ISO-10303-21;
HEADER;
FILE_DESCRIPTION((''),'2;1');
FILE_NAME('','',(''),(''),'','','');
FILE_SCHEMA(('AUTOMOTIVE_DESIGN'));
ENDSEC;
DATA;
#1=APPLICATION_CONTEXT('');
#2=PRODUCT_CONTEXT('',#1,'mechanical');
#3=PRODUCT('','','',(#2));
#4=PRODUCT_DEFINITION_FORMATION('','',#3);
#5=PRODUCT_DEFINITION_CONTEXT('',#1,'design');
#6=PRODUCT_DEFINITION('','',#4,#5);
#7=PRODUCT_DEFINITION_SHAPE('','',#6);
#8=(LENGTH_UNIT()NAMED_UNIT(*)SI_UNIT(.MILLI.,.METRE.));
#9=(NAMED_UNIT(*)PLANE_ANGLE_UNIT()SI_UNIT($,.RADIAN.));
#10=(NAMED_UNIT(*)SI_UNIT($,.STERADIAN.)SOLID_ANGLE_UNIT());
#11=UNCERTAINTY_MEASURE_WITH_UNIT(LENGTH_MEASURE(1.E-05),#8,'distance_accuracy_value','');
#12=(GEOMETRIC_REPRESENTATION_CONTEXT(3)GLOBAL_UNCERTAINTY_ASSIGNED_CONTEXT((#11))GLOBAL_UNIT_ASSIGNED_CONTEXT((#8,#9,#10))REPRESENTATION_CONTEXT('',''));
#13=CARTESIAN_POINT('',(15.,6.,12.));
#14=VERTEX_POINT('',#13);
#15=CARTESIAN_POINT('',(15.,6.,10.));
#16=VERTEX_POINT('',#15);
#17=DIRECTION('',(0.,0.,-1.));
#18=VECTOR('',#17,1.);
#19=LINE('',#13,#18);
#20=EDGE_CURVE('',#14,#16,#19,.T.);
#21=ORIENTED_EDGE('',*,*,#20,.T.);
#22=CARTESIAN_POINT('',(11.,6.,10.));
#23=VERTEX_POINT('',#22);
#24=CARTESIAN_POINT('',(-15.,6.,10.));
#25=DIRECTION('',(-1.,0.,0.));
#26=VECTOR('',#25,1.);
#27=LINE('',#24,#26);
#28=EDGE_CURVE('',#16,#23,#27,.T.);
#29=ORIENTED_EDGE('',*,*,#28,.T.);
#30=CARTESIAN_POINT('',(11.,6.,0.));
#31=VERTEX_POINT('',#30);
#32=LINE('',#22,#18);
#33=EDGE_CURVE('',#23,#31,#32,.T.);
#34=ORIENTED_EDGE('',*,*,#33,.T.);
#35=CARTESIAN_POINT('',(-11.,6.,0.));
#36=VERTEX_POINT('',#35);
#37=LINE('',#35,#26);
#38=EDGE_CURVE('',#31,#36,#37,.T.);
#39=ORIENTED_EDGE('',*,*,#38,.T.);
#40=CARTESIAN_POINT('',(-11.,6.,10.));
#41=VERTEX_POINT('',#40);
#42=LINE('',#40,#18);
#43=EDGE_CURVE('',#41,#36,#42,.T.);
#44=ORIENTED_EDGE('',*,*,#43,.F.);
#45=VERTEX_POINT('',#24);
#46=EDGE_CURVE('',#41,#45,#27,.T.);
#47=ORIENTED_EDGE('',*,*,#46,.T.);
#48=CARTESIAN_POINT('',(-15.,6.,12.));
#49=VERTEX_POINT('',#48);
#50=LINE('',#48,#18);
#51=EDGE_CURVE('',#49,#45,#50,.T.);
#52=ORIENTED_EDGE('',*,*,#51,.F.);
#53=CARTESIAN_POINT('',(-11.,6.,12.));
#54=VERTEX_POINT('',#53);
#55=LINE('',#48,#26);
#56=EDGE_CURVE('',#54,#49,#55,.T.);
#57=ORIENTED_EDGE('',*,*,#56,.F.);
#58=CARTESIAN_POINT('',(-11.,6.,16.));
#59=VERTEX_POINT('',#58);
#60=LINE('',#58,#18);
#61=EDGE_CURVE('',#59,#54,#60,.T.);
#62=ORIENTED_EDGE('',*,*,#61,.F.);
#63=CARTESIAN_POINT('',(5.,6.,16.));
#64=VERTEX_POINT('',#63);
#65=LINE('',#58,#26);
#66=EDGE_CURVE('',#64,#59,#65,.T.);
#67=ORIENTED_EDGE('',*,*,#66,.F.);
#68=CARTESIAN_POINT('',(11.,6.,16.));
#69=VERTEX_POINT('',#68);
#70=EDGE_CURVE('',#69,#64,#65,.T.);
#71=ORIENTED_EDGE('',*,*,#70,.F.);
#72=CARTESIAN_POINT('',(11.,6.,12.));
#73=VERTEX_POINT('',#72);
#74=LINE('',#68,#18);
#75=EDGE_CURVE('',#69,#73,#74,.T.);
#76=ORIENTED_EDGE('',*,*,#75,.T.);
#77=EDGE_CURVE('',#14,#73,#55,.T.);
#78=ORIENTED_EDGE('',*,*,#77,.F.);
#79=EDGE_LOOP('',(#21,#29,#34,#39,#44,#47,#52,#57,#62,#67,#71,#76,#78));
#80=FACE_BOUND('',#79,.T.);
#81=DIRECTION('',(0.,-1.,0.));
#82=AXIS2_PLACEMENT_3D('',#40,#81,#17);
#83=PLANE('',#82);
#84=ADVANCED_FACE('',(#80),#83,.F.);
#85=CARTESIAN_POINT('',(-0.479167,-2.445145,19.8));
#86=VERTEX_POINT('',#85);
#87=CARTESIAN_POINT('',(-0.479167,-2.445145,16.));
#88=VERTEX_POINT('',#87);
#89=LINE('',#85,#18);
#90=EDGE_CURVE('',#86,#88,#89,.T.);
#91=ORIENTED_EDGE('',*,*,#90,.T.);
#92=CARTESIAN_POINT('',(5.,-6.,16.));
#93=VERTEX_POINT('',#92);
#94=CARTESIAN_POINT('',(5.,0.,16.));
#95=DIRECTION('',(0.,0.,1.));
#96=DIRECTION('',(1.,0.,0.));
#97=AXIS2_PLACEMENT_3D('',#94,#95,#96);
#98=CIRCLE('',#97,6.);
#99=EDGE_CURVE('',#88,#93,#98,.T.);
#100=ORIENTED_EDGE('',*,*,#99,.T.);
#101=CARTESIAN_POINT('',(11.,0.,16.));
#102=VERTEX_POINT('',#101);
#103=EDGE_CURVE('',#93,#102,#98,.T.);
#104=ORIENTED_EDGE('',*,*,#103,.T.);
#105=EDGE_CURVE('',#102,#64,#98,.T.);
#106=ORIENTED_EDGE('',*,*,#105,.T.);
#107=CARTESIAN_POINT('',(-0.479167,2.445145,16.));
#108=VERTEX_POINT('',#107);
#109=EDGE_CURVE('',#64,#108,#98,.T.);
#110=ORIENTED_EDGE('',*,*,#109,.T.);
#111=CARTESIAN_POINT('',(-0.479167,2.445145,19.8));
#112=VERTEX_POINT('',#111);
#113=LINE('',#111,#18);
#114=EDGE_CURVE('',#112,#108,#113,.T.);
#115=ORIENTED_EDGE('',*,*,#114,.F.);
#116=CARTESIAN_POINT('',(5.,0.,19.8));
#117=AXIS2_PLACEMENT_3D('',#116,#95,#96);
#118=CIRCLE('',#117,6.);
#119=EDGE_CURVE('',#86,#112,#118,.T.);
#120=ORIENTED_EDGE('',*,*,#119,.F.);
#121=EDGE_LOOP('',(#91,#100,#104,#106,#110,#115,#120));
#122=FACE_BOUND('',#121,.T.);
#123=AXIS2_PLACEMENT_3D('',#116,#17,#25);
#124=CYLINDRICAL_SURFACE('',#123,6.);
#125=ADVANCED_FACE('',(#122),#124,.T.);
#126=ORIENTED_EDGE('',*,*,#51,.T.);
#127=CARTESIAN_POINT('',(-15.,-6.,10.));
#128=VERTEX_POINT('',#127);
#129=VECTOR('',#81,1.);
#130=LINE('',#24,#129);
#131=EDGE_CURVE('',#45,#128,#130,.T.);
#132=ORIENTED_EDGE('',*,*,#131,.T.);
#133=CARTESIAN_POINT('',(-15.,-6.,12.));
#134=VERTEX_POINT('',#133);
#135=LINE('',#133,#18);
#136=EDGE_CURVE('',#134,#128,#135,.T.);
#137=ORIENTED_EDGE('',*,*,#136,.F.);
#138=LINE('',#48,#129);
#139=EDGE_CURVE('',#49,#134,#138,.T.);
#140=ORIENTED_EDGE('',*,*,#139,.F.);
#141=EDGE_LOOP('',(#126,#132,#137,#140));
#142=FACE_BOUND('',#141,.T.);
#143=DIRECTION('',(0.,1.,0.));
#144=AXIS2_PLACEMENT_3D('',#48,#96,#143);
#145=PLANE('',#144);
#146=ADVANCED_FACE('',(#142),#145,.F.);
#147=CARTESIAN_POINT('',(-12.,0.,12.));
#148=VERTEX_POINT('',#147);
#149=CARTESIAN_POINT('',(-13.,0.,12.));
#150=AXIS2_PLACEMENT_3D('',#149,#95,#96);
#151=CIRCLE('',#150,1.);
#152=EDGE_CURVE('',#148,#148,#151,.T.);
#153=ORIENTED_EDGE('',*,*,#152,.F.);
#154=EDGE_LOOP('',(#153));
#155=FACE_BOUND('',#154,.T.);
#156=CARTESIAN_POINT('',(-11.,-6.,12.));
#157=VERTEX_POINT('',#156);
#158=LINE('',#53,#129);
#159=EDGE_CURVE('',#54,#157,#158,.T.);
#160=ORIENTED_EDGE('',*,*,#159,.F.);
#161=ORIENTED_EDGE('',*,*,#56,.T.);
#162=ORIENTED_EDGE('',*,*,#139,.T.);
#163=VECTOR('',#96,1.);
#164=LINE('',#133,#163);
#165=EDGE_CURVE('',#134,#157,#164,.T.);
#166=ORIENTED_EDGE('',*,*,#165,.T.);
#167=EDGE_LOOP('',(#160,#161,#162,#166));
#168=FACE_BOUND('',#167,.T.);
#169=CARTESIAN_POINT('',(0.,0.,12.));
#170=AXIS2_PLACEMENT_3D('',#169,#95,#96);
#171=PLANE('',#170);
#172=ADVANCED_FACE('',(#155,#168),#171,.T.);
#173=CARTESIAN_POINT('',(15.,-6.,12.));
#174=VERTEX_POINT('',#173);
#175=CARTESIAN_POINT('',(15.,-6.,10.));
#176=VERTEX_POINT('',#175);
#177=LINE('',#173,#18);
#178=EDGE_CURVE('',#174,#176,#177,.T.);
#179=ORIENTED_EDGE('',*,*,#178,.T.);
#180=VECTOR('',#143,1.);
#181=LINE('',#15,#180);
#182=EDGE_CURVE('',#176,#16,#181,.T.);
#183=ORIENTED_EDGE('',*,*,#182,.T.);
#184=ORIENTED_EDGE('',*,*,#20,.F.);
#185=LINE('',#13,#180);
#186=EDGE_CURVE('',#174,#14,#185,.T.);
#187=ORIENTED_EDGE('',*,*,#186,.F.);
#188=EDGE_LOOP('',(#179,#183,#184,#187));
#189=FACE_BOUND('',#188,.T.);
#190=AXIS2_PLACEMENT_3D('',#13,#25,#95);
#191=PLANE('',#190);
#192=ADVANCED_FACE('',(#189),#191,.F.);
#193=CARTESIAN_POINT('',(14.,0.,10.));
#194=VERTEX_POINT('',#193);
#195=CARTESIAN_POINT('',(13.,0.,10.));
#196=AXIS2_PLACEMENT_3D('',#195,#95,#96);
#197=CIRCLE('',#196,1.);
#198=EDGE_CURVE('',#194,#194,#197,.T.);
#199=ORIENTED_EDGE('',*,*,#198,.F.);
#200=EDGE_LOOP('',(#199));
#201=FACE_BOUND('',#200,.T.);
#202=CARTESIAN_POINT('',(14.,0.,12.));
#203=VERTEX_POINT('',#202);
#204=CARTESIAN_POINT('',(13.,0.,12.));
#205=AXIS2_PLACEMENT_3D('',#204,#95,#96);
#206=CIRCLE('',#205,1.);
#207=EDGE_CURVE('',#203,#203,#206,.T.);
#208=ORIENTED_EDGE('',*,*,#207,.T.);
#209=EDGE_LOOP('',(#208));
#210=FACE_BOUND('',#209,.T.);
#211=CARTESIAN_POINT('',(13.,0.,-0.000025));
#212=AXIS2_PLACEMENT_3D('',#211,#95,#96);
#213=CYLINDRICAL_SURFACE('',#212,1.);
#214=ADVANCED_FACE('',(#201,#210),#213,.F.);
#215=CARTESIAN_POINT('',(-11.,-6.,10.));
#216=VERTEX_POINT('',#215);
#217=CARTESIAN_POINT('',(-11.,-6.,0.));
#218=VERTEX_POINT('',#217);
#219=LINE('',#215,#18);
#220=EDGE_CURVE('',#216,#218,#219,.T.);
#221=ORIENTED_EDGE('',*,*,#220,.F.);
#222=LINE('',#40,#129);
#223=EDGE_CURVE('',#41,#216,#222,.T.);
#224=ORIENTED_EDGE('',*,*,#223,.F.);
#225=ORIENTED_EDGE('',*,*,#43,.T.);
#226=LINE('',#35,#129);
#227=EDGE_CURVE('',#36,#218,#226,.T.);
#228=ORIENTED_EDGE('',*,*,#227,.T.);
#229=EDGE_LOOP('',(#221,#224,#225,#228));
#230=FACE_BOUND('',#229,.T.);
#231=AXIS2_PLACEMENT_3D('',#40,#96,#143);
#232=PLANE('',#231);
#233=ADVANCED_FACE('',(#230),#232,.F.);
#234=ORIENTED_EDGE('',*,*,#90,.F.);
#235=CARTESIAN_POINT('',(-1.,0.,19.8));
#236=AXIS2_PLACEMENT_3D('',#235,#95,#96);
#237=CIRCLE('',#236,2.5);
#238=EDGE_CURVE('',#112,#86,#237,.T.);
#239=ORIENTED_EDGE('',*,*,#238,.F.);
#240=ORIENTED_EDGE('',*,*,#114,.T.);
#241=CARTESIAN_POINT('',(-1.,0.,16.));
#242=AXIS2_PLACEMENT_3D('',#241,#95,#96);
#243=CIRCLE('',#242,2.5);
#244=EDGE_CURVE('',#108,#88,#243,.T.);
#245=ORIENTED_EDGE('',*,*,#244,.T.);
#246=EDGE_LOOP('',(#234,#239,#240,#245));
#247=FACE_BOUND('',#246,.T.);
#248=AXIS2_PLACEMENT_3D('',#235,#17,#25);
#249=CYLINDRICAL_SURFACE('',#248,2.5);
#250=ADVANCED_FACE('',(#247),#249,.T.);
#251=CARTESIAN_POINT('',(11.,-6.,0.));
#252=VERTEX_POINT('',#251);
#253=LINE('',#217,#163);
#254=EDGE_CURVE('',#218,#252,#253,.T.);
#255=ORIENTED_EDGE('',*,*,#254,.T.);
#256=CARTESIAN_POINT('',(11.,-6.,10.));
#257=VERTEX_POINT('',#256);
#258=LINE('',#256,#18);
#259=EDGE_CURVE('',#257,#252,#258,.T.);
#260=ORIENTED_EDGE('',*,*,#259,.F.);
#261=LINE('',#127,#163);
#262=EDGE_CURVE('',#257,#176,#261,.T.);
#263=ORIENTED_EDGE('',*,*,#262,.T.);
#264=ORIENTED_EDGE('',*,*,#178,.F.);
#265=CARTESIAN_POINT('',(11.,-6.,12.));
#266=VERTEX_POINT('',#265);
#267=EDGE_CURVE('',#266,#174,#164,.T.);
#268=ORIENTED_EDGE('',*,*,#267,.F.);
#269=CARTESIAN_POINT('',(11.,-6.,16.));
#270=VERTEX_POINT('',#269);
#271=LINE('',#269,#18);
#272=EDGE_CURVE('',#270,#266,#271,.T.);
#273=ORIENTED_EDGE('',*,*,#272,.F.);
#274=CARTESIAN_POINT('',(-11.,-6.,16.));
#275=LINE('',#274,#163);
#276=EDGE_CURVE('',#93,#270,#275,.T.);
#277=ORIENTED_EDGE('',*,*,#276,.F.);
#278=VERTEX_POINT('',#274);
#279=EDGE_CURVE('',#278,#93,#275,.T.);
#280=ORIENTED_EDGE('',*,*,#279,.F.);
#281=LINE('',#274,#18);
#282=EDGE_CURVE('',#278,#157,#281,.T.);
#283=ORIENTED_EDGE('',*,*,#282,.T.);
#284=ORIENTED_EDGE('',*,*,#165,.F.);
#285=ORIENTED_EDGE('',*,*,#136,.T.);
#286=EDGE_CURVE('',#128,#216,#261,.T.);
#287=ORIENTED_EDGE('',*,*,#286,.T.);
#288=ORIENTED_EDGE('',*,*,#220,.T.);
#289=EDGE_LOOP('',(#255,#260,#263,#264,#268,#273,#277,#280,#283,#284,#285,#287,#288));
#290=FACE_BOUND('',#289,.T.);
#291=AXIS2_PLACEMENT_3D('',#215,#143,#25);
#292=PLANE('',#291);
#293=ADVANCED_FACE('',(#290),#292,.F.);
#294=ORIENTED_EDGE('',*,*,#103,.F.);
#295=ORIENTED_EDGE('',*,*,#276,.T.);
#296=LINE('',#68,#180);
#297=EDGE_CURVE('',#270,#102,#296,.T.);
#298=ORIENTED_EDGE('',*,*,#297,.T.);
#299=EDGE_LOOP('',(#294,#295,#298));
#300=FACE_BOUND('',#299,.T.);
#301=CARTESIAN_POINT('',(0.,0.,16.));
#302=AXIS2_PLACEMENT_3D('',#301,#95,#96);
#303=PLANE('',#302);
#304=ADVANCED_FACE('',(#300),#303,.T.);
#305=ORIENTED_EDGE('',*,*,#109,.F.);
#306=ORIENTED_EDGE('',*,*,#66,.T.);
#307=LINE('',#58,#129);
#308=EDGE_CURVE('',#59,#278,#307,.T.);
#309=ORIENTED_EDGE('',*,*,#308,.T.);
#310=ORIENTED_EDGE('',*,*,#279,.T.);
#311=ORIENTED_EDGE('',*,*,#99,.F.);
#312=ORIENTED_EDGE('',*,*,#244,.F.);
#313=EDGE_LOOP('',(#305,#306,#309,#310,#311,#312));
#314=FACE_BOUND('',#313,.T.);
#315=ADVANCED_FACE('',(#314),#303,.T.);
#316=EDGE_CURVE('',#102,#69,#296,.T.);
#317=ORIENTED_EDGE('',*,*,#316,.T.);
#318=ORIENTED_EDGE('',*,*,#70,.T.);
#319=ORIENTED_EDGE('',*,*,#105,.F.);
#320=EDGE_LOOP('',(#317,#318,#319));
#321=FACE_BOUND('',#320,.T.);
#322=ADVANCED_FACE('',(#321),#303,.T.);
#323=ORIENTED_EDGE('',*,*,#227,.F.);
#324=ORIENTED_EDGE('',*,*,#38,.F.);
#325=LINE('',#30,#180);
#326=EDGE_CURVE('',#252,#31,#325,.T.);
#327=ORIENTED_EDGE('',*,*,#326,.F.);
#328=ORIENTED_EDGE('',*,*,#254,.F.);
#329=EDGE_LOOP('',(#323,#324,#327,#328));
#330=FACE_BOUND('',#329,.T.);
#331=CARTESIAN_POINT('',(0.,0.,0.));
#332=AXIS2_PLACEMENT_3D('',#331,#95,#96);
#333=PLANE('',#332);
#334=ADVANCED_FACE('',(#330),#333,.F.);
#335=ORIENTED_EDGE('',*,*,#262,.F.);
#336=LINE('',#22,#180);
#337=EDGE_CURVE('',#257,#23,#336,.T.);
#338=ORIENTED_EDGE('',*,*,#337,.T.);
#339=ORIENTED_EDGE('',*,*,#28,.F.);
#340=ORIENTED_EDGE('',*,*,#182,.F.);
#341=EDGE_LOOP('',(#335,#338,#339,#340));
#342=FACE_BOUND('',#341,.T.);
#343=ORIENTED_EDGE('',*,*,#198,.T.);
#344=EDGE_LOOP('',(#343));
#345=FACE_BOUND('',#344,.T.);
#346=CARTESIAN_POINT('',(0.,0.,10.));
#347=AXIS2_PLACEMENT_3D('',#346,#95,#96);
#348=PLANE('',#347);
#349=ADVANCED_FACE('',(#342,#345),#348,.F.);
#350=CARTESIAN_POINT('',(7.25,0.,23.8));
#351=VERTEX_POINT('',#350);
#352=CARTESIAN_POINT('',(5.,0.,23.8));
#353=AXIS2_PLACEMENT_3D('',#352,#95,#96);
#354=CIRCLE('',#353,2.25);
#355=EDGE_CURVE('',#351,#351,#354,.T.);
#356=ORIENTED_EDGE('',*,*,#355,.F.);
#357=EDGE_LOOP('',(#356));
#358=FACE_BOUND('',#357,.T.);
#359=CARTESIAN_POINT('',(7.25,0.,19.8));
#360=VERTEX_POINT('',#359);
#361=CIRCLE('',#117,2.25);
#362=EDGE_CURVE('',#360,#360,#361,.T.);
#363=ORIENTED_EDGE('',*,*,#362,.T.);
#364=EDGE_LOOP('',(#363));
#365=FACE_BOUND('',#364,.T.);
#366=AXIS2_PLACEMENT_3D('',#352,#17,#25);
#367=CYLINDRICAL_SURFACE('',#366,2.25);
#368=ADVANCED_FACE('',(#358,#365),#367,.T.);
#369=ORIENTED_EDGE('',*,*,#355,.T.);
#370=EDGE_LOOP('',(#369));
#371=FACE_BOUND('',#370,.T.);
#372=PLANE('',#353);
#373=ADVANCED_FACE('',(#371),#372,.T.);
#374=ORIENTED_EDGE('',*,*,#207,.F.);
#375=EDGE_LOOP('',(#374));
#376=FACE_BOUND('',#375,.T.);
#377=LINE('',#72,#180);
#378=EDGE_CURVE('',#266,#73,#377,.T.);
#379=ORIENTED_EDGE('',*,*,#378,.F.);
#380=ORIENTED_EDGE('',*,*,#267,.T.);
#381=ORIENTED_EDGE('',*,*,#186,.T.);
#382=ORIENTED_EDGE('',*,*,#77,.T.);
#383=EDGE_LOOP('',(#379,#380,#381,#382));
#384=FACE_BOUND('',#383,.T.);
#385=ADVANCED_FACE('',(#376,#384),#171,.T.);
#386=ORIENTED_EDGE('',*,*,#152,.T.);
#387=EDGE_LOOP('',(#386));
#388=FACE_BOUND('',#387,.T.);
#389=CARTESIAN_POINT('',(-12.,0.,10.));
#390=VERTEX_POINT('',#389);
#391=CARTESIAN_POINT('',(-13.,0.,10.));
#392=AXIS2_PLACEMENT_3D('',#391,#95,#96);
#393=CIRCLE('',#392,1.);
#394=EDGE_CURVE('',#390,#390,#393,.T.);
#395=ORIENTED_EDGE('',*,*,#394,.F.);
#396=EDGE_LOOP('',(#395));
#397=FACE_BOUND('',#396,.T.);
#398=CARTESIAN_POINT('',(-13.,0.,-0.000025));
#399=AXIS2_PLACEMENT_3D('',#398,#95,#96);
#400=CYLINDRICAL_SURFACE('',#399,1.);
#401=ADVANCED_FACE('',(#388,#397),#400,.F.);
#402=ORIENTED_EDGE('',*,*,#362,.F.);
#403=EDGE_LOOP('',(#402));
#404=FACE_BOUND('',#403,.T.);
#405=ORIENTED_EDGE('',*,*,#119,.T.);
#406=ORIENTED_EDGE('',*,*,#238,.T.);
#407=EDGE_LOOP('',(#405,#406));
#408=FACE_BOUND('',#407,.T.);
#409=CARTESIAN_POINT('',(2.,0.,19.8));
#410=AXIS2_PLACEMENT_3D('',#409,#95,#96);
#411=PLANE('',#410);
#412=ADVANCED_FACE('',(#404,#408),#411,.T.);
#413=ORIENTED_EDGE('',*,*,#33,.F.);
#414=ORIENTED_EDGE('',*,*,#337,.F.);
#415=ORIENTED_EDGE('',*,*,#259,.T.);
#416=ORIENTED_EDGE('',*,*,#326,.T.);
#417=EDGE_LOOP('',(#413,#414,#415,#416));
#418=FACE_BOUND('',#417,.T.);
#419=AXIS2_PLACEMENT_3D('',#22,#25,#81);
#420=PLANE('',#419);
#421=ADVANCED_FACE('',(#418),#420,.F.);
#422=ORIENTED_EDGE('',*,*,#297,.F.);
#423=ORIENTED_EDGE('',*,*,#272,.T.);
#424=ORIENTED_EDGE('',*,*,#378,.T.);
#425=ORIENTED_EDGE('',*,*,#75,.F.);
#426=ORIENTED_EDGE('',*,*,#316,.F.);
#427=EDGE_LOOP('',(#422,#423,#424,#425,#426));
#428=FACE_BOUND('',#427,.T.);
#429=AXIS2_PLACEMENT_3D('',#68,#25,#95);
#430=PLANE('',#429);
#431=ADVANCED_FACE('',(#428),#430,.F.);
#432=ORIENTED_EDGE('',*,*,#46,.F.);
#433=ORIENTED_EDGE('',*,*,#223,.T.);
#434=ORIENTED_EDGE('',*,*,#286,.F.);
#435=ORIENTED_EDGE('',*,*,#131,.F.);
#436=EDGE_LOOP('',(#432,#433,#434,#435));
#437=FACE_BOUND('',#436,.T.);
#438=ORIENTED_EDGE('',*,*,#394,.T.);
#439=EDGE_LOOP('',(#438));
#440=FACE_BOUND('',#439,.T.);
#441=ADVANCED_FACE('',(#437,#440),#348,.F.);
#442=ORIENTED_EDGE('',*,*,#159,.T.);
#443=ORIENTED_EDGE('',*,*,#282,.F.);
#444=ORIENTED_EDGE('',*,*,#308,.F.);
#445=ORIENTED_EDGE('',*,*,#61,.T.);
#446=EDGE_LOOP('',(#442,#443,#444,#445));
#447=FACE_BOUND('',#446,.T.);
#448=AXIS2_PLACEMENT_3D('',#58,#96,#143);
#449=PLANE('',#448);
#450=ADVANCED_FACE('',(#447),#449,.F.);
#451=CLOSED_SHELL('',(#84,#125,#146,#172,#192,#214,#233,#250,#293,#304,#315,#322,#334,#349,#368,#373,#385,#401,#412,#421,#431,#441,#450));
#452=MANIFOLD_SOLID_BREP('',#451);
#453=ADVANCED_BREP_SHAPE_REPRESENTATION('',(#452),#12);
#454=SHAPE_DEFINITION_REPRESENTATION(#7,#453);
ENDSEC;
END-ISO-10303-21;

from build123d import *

# Parameters (mm, degrees)
SKETCH1_W      = 22
SKETCH1_H      = 12
EXTRUDE1_DEPTH = 10
SKETCH2_W      = 30
SKETCH2_H      = 12
EXTRUDE2_DEPTH = 2
SKETCH3_W      = 22
SKETCH3_H      = 12
EXTRUDE3_DEPTH = 4
SKETCH4_R      = 1
EXTRUDE4_DEPTH = 13
EXTRUDE5_DEPTH = 3.8
SKETCH6_R      = 2.25
EXTRUDE6_DEPTH = 4


with BuildPart() as part:
    # Sketch1 → Extrude1 (new body)
    with BuildSketch(Plane.XY):
        Rectangle(SKETCH1_W, SKETCH1_H)
    extrude(amount=EXTRUDE1_DEPTH)

    # Sketch2 → Extrude2 (add)
    with BuildSketch(Plane.XY.offset(10)):
        Rectangle(SKETCH2_W, SKETCH2_H)
    extrude(amount=EXTRUDE2_DEPTH)

    # Sketch3 → Extrude3 (add)
    with BuildSketch(Plane.XY.offset(12)):
        Rectangle(SKETCH3_W, SKETCH3_H)
    extrude(amount=EXTRUDE3_DEPTH)

    # Sketch4 → Extrude4 (cut, through all)
    with BuildSketch(Plane.XY.offset(12)):
        with Locations((-13, 0)):
            Circle(SKETCH4_R)
        with Locations((13, 0)):
            Circle(SKETCH4_R)
    extrude(amount=-EXTRUDE4_DEPTH, mode=Mode.SUBTRACT)

    # Sketch5 → Extrude5 (add)
    with BuildSketch(Plane.XY.offset(16)):
        with BuildLine():
            ThreePointArc((-0.479166667, -2.445144707), (11, 0), (-0.479166667, 2.445144707))
            ThreePointArc((-0.479166667, 2.445144707), (-3.5, 0), (-0.479166667, -2.445144707))
        make_face()
    extrude(amount=EXTRUDE5_DEPTH)

    # Sketch6 → Extrude6 (add)
    with BuildSketch(Plane.XY.offset(19.8)):
        with Locations((5, 0)):
            Circle(SKETCH6_R)
    extrude(amount=EXTRUDE6_DEPTH)


solid = part.part
